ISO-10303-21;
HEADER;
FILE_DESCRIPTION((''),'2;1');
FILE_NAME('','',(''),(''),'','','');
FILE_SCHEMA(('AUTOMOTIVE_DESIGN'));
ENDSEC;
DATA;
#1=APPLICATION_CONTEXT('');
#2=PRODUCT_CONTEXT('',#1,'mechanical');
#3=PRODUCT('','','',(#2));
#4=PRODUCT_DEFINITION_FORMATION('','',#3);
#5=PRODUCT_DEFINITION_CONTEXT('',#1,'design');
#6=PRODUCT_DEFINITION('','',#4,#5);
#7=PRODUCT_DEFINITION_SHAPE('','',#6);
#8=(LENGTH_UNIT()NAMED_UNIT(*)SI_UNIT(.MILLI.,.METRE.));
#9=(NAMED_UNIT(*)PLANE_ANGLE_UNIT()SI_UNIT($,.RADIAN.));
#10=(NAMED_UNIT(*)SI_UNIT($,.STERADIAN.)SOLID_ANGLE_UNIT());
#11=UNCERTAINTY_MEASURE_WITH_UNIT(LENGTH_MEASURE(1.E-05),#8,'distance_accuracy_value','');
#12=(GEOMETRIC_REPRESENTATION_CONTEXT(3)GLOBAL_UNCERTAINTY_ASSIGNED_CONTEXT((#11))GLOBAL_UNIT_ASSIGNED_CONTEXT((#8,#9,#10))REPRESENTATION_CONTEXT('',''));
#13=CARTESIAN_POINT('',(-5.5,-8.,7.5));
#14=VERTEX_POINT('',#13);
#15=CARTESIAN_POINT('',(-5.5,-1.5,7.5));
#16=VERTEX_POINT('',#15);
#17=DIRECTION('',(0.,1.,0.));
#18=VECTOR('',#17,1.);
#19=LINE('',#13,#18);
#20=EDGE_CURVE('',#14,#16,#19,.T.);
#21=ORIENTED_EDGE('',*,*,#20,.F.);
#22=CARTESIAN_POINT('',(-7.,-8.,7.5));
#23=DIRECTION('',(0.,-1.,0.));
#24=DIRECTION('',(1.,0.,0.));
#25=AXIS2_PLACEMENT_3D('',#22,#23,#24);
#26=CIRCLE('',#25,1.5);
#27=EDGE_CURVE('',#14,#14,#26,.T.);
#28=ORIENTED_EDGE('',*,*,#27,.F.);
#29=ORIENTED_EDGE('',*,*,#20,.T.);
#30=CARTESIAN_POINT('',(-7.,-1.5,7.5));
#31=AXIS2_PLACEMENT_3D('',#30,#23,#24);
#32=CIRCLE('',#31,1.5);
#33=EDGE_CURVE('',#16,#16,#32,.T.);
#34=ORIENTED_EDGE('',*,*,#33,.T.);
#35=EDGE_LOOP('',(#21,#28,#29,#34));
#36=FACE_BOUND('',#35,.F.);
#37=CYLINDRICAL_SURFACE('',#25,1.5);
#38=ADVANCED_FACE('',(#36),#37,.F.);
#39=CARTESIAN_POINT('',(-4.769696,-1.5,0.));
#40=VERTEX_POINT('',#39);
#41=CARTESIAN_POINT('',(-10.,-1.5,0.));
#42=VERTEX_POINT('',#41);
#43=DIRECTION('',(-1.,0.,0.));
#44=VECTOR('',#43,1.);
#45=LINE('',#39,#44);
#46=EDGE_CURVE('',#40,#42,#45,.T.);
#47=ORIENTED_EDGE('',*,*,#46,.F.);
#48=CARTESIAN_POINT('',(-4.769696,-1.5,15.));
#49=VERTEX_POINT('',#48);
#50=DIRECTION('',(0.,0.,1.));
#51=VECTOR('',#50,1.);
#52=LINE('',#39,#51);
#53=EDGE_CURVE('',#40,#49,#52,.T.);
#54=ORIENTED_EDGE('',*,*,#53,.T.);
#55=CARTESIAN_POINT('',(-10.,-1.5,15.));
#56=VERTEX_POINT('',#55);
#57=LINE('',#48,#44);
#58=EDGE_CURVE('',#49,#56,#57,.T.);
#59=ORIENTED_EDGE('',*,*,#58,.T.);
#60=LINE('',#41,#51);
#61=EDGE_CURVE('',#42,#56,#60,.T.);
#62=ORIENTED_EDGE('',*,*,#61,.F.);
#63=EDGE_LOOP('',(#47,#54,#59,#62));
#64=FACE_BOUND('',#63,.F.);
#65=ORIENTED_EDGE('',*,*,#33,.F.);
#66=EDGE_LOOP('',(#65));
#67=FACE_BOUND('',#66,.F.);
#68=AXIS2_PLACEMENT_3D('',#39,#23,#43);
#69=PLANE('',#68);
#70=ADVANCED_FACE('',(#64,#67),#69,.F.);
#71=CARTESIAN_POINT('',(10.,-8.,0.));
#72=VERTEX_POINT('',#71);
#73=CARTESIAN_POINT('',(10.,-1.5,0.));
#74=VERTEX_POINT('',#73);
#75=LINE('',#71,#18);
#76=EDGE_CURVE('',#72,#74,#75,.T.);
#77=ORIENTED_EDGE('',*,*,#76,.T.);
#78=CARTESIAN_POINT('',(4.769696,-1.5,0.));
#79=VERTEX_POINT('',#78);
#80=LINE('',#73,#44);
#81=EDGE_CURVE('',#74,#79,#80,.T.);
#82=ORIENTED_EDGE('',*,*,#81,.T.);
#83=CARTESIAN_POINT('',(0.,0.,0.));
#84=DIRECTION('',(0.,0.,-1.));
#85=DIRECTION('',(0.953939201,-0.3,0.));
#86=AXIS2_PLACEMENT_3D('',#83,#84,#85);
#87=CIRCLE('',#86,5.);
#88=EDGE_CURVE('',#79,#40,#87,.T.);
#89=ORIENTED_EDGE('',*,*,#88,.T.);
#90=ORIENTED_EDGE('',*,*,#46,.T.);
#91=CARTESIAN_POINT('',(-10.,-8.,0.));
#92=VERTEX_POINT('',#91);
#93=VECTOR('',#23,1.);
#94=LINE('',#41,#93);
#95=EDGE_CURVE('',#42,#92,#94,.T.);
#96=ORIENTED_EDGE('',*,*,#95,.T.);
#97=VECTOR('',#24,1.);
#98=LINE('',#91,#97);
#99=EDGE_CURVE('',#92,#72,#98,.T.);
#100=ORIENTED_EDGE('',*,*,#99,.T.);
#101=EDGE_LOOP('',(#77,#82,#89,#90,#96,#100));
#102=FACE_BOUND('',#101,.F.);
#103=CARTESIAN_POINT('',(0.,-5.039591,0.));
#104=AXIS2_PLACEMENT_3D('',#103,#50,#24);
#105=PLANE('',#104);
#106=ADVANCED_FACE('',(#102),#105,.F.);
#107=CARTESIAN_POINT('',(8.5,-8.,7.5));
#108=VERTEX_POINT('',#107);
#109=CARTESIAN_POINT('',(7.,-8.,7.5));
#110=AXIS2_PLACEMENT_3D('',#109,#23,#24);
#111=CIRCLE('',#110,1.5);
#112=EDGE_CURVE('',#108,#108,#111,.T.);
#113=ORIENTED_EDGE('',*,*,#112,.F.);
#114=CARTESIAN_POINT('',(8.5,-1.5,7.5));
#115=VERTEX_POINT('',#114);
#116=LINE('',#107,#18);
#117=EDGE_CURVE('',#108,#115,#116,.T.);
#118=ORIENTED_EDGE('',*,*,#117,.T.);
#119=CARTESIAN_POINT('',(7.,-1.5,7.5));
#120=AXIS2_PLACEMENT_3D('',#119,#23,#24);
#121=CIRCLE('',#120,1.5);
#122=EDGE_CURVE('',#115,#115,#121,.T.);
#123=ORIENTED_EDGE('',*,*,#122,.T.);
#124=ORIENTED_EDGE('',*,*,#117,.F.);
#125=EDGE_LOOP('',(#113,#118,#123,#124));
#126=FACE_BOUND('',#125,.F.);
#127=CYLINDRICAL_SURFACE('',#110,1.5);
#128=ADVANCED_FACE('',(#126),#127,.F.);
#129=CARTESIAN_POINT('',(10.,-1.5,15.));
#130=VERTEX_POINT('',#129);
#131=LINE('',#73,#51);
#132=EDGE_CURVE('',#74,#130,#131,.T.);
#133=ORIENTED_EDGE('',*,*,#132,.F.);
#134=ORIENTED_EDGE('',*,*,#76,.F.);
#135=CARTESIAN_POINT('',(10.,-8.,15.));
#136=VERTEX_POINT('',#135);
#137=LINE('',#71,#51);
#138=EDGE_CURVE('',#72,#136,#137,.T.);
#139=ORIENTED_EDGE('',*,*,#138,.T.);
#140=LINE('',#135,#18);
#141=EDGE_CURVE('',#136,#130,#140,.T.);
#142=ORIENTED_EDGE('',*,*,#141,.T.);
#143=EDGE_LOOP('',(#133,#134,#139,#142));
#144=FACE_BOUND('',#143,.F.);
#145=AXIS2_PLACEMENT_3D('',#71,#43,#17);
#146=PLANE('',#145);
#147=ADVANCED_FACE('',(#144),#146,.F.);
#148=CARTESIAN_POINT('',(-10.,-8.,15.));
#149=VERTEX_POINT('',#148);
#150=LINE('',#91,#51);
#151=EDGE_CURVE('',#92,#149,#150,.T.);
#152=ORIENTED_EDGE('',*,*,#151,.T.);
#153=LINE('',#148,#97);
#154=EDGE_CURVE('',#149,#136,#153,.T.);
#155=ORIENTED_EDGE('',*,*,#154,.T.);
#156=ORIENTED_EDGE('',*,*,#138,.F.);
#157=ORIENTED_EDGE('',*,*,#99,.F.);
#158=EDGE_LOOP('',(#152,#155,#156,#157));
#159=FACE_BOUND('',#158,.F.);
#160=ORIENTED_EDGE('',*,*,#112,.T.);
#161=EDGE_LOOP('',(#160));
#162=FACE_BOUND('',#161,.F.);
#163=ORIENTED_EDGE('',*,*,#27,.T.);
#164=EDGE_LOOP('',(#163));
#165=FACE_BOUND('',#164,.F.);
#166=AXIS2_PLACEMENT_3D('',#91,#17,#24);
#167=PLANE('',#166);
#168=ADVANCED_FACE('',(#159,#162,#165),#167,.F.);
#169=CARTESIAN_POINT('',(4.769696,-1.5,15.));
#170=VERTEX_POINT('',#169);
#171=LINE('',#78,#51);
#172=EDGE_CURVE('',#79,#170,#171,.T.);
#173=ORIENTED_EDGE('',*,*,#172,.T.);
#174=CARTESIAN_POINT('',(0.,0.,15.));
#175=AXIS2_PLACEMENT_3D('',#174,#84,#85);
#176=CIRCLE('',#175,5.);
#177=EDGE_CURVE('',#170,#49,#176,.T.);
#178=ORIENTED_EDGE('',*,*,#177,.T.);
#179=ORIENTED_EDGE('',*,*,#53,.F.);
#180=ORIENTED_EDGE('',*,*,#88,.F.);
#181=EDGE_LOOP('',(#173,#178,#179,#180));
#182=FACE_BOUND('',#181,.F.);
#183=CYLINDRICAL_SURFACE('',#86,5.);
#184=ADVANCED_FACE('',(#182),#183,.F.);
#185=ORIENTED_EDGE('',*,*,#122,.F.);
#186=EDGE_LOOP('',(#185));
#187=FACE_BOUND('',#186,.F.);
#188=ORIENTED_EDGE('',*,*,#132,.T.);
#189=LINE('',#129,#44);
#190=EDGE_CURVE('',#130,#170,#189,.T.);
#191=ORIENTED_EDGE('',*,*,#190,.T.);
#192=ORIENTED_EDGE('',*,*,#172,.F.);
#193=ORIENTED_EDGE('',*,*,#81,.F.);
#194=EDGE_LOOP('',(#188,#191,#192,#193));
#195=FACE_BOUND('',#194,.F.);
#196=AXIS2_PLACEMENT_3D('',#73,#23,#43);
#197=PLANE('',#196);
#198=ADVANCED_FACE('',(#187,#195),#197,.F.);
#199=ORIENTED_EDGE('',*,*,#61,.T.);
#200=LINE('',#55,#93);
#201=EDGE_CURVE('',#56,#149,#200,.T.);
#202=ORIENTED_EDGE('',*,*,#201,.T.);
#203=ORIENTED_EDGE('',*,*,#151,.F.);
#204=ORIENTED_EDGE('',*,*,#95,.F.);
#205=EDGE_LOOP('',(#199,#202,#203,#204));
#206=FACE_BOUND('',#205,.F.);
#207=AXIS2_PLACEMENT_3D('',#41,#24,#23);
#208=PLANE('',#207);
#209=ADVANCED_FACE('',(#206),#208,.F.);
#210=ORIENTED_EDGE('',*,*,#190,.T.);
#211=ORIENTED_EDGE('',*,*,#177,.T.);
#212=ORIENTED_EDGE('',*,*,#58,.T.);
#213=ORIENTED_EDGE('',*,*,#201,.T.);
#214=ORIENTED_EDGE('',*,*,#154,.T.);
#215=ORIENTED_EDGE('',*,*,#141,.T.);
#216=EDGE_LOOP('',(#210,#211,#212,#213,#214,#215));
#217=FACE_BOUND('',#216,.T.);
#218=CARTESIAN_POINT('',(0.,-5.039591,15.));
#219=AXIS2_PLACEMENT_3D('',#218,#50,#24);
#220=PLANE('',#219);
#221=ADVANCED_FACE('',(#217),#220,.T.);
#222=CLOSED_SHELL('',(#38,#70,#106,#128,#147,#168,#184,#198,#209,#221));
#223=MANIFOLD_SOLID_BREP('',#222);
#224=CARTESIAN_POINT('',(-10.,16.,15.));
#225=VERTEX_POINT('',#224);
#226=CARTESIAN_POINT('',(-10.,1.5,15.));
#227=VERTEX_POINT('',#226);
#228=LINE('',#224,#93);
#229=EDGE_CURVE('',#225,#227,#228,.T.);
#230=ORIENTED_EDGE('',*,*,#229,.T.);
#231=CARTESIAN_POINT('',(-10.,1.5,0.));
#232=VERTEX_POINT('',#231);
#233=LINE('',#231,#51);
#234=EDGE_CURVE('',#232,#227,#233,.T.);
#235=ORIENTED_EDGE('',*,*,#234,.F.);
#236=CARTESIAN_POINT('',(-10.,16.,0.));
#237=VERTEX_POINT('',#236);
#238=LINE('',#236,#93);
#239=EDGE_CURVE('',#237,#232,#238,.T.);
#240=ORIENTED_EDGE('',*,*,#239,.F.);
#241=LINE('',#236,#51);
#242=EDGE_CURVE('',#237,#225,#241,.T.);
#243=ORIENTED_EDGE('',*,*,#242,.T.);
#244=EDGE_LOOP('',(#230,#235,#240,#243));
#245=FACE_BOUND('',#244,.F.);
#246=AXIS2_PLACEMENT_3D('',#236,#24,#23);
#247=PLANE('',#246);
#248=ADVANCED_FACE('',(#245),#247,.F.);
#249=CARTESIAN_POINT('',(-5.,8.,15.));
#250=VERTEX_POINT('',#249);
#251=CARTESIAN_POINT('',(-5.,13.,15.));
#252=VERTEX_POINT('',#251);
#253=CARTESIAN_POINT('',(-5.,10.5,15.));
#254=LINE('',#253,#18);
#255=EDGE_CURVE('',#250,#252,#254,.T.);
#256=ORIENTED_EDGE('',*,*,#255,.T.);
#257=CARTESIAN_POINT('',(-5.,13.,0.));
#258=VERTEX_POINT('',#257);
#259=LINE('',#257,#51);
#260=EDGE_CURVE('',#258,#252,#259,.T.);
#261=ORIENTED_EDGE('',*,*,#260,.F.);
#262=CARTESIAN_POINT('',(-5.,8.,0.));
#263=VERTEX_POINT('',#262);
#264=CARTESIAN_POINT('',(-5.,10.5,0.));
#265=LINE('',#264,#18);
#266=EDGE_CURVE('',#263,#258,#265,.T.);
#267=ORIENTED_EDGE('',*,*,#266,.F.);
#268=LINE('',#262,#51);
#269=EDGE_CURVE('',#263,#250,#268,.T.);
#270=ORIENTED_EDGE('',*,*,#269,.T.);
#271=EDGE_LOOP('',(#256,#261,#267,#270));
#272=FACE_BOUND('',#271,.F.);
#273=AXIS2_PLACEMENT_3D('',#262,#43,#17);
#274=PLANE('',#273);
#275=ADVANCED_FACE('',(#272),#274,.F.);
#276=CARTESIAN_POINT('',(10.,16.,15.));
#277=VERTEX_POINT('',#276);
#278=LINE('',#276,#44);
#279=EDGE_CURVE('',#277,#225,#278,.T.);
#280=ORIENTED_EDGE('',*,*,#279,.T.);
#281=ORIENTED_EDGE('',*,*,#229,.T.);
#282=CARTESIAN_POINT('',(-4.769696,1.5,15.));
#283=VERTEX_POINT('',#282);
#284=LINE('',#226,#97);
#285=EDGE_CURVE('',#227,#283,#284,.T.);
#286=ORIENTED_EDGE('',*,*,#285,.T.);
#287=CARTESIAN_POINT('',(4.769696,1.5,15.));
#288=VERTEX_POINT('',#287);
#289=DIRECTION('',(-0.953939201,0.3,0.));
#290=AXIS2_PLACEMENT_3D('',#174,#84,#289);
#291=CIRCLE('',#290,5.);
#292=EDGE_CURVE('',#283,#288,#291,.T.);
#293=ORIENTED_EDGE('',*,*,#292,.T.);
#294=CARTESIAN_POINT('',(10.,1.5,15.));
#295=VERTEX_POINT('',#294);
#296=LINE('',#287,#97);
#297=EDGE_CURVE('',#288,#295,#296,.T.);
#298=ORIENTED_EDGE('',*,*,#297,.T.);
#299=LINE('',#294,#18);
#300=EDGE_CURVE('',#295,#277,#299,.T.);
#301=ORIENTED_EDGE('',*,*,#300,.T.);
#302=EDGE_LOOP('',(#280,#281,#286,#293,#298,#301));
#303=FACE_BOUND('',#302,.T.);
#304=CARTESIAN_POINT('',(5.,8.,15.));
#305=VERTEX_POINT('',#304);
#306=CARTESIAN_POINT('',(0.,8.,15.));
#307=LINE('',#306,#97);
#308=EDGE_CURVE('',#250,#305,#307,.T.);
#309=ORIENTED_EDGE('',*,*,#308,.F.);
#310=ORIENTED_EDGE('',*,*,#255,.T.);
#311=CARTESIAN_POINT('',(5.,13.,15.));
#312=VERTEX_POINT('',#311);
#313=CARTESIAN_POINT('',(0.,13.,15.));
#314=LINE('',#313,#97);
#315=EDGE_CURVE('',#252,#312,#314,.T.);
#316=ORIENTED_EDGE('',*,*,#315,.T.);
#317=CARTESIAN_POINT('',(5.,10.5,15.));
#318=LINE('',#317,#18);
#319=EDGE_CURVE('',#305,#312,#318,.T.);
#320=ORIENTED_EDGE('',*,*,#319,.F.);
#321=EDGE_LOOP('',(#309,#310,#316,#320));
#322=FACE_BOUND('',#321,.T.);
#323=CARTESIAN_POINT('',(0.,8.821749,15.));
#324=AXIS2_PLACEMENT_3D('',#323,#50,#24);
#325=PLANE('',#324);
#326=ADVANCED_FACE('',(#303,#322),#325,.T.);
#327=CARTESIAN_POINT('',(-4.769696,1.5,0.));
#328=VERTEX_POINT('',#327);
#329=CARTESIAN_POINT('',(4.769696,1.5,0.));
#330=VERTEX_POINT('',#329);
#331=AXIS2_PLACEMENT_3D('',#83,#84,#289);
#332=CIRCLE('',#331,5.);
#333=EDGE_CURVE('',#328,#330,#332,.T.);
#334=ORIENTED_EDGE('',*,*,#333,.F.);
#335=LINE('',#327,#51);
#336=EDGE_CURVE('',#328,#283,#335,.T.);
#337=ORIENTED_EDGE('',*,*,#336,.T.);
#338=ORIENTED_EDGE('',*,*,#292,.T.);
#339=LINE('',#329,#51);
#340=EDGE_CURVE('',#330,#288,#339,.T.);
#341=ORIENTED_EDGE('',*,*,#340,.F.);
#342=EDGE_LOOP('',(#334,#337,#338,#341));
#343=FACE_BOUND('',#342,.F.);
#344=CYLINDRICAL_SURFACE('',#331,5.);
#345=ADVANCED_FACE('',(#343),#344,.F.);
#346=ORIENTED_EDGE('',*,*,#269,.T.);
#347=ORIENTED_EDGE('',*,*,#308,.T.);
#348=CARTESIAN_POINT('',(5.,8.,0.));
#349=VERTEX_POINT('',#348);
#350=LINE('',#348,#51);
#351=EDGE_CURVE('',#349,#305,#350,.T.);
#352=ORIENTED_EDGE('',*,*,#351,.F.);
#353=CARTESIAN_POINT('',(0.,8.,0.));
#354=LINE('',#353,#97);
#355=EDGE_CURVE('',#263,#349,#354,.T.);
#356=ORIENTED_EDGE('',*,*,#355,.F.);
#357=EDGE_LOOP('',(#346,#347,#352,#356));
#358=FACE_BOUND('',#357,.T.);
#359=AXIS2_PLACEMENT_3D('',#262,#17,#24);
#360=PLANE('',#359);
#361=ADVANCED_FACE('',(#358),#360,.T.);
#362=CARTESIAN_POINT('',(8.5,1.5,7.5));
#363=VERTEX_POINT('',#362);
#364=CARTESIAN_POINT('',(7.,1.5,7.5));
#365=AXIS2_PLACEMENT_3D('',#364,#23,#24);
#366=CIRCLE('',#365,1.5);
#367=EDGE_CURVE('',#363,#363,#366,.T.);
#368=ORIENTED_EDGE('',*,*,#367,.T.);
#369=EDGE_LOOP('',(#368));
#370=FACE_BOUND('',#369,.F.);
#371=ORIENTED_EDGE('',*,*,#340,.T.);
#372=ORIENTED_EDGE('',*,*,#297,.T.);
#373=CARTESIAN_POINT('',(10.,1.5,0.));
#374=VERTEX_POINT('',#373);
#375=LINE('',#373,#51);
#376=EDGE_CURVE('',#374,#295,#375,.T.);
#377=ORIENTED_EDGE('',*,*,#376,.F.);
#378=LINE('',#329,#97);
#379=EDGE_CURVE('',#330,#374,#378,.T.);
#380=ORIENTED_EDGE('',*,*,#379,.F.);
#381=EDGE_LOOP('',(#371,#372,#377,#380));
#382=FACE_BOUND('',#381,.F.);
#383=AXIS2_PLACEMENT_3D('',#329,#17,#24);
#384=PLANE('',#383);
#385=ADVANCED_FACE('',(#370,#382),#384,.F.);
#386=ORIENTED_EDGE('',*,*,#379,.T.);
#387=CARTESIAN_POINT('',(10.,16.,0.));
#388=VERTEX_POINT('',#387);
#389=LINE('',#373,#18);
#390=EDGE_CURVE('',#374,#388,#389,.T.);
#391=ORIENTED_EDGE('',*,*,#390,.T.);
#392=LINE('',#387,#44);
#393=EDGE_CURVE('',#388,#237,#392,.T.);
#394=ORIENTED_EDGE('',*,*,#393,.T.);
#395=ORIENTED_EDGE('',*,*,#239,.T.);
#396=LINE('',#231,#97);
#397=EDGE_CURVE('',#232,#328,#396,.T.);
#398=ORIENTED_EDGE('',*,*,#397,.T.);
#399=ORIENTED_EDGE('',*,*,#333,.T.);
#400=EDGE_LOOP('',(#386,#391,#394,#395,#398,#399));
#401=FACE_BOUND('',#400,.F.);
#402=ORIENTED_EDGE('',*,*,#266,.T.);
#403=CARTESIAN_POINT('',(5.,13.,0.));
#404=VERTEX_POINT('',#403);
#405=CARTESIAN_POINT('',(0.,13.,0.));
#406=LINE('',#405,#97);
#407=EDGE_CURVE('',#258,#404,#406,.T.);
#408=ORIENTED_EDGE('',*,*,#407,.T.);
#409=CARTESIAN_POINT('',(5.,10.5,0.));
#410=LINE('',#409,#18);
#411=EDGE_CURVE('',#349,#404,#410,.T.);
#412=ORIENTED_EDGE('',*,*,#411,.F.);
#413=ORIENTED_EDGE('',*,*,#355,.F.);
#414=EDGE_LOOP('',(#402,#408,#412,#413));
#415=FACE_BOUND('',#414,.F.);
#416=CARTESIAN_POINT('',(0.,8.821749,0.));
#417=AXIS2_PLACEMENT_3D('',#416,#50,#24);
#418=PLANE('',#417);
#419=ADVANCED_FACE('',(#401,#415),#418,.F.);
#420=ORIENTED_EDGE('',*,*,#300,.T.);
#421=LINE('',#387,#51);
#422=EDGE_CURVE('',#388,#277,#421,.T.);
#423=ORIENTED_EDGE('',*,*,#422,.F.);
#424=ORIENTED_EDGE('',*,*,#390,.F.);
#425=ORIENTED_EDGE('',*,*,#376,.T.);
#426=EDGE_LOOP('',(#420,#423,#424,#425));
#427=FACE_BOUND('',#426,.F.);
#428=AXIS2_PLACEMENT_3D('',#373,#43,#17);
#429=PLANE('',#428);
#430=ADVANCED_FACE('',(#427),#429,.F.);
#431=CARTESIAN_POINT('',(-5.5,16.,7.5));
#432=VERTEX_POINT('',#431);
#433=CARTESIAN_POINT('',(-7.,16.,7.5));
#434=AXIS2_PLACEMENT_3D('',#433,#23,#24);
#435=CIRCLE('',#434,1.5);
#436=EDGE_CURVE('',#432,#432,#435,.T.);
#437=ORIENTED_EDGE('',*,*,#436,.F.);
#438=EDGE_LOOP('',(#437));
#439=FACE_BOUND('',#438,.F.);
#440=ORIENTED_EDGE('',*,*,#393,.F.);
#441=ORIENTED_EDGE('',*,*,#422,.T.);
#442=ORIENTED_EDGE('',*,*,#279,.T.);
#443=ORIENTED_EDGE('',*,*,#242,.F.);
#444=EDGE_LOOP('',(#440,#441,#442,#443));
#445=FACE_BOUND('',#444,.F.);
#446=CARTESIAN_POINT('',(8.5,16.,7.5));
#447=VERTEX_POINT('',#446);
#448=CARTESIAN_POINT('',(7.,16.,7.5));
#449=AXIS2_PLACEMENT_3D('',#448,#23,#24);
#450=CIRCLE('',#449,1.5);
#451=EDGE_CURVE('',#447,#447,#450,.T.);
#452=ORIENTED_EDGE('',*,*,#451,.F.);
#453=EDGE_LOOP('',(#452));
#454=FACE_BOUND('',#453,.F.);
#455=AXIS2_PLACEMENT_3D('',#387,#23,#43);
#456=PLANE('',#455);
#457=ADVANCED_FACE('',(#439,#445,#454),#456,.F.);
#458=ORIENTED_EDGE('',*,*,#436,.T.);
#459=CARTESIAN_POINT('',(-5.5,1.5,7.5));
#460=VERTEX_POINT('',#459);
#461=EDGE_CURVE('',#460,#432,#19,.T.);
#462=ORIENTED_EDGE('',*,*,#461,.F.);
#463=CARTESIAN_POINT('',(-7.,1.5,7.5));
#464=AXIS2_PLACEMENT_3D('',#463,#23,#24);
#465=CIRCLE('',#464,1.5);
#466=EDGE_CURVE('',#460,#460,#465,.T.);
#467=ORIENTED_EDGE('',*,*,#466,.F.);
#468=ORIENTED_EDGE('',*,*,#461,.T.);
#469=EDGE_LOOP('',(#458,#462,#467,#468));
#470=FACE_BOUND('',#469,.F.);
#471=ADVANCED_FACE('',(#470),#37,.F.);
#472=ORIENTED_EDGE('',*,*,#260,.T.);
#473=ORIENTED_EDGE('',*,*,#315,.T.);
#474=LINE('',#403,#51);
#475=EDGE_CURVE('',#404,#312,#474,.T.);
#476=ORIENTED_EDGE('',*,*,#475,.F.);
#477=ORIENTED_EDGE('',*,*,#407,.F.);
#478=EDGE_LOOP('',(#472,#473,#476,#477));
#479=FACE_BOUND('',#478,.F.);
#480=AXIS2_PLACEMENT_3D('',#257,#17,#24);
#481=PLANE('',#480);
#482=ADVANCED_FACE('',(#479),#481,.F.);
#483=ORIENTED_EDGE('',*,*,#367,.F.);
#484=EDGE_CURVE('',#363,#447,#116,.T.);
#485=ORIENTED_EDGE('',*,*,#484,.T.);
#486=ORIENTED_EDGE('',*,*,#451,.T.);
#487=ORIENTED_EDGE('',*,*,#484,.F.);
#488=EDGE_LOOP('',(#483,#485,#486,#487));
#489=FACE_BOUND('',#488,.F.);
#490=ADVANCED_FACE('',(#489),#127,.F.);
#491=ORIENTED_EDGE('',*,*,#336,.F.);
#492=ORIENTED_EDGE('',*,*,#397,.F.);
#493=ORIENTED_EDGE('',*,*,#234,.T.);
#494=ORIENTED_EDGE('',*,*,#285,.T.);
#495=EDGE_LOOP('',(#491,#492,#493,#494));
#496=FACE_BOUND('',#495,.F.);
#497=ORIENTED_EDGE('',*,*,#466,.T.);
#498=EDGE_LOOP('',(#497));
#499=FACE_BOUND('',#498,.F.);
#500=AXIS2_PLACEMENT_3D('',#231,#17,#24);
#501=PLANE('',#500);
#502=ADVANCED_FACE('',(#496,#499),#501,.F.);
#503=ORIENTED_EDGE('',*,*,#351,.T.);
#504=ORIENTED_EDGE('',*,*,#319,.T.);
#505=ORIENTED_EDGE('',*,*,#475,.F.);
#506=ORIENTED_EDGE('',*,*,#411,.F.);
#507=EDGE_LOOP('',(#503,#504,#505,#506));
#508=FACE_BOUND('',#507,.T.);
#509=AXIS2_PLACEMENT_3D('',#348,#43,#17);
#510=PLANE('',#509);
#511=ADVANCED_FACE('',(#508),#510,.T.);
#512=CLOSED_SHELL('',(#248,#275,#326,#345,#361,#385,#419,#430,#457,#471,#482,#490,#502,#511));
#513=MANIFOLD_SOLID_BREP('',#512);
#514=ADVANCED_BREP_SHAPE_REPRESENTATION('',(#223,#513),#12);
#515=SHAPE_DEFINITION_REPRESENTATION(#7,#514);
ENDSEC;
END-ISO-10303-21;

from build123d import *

# Parameters (mm, degrees)
SKETCH_1_W          = 10
SKETCH_1_H          = 5
EXTRUDE_1_DEPTH     = 15
EXTRUDE_1_2_DEPTH   = 15
SKETCH_2_R          = 1.5
CUT_EXTRUDE_1_DEPTH = 31.01666204


with BuildPart() as part:
    # 草图1 → 凸台-拉伸1 (new body)
    with BuildSketch(Plane.XY):
        with BuildLine():
            Line((-10, 1.5), (-4.769696007, 1.5))
            ThreePointArc((-4.769696007, 1.5), (0, 5), (4.769696007, 1.5))
            Line((4.769696007, 1.5), (10, 1.5))
            Line((10, 1.5), (10, 16))
            Line((10, 16), (-10, 16))
            Line((-10, 16), (-10, 1.5))
        make_face()
        with Locations((0, 10.5)):
            Rectangle(SKETCH_1_W, SKETCH_1_H, mode=Mode.SUBTRACT)
    extrude(amount=EXTRUDE_1_DEPTH)


with BuildPart() as body_2:
    # 草图1 → Extrude 1 2 (new body)
    with BuildSketch(Plane.XY):
        with BuildLine():
            Line((-10, -8), (10, -8))
            Line((10, -8), (10, -1.5))
            Line((10, -1.5), (4.769696007, -1.5))
            ThreePointArc((4.769696007, -1.5), (0, -5), (-4.769696007, -1.5))
            Line((-4.769696007, -1.5), (-10, -1.5))
            Line((-10, -1.5), (-10, -8))
        make_face()
    extrude(amount=EXTRUDE_1_2_DEPTH)


with BuildPart() as cut_extrude_1_tool:
    # 草图2 → 切除-拉伸1 (new, through all)
    with BuildSketch(Plane.XZ.offset(8)):
        with Locations((-7, 7.5)):
            Circle(SKETCH_2_R)
        with Locations((7, 7.5)):
            Circle(SKETCH_2_R)
    extrude(amount=-CUT_EXTRUDE_1_DEPTH)


with BuildPart() as part_1:
    add(part.part)

    # 切除-拉伸1: cut by cut_extrude_1_tool
    add(cut_extrude_1_tool.part, mode=Mode.SUBTRACT)


with BuildPart() as body_2_1:
    add(body_2.part)

    # 切除-拉伸1: cut by cut_extrude_1_tool
    add(cut_extrude_1_tool.part, mode=Mode.SUBTRACT)


solid = Compound([part_1.part, body_2_1.part])
